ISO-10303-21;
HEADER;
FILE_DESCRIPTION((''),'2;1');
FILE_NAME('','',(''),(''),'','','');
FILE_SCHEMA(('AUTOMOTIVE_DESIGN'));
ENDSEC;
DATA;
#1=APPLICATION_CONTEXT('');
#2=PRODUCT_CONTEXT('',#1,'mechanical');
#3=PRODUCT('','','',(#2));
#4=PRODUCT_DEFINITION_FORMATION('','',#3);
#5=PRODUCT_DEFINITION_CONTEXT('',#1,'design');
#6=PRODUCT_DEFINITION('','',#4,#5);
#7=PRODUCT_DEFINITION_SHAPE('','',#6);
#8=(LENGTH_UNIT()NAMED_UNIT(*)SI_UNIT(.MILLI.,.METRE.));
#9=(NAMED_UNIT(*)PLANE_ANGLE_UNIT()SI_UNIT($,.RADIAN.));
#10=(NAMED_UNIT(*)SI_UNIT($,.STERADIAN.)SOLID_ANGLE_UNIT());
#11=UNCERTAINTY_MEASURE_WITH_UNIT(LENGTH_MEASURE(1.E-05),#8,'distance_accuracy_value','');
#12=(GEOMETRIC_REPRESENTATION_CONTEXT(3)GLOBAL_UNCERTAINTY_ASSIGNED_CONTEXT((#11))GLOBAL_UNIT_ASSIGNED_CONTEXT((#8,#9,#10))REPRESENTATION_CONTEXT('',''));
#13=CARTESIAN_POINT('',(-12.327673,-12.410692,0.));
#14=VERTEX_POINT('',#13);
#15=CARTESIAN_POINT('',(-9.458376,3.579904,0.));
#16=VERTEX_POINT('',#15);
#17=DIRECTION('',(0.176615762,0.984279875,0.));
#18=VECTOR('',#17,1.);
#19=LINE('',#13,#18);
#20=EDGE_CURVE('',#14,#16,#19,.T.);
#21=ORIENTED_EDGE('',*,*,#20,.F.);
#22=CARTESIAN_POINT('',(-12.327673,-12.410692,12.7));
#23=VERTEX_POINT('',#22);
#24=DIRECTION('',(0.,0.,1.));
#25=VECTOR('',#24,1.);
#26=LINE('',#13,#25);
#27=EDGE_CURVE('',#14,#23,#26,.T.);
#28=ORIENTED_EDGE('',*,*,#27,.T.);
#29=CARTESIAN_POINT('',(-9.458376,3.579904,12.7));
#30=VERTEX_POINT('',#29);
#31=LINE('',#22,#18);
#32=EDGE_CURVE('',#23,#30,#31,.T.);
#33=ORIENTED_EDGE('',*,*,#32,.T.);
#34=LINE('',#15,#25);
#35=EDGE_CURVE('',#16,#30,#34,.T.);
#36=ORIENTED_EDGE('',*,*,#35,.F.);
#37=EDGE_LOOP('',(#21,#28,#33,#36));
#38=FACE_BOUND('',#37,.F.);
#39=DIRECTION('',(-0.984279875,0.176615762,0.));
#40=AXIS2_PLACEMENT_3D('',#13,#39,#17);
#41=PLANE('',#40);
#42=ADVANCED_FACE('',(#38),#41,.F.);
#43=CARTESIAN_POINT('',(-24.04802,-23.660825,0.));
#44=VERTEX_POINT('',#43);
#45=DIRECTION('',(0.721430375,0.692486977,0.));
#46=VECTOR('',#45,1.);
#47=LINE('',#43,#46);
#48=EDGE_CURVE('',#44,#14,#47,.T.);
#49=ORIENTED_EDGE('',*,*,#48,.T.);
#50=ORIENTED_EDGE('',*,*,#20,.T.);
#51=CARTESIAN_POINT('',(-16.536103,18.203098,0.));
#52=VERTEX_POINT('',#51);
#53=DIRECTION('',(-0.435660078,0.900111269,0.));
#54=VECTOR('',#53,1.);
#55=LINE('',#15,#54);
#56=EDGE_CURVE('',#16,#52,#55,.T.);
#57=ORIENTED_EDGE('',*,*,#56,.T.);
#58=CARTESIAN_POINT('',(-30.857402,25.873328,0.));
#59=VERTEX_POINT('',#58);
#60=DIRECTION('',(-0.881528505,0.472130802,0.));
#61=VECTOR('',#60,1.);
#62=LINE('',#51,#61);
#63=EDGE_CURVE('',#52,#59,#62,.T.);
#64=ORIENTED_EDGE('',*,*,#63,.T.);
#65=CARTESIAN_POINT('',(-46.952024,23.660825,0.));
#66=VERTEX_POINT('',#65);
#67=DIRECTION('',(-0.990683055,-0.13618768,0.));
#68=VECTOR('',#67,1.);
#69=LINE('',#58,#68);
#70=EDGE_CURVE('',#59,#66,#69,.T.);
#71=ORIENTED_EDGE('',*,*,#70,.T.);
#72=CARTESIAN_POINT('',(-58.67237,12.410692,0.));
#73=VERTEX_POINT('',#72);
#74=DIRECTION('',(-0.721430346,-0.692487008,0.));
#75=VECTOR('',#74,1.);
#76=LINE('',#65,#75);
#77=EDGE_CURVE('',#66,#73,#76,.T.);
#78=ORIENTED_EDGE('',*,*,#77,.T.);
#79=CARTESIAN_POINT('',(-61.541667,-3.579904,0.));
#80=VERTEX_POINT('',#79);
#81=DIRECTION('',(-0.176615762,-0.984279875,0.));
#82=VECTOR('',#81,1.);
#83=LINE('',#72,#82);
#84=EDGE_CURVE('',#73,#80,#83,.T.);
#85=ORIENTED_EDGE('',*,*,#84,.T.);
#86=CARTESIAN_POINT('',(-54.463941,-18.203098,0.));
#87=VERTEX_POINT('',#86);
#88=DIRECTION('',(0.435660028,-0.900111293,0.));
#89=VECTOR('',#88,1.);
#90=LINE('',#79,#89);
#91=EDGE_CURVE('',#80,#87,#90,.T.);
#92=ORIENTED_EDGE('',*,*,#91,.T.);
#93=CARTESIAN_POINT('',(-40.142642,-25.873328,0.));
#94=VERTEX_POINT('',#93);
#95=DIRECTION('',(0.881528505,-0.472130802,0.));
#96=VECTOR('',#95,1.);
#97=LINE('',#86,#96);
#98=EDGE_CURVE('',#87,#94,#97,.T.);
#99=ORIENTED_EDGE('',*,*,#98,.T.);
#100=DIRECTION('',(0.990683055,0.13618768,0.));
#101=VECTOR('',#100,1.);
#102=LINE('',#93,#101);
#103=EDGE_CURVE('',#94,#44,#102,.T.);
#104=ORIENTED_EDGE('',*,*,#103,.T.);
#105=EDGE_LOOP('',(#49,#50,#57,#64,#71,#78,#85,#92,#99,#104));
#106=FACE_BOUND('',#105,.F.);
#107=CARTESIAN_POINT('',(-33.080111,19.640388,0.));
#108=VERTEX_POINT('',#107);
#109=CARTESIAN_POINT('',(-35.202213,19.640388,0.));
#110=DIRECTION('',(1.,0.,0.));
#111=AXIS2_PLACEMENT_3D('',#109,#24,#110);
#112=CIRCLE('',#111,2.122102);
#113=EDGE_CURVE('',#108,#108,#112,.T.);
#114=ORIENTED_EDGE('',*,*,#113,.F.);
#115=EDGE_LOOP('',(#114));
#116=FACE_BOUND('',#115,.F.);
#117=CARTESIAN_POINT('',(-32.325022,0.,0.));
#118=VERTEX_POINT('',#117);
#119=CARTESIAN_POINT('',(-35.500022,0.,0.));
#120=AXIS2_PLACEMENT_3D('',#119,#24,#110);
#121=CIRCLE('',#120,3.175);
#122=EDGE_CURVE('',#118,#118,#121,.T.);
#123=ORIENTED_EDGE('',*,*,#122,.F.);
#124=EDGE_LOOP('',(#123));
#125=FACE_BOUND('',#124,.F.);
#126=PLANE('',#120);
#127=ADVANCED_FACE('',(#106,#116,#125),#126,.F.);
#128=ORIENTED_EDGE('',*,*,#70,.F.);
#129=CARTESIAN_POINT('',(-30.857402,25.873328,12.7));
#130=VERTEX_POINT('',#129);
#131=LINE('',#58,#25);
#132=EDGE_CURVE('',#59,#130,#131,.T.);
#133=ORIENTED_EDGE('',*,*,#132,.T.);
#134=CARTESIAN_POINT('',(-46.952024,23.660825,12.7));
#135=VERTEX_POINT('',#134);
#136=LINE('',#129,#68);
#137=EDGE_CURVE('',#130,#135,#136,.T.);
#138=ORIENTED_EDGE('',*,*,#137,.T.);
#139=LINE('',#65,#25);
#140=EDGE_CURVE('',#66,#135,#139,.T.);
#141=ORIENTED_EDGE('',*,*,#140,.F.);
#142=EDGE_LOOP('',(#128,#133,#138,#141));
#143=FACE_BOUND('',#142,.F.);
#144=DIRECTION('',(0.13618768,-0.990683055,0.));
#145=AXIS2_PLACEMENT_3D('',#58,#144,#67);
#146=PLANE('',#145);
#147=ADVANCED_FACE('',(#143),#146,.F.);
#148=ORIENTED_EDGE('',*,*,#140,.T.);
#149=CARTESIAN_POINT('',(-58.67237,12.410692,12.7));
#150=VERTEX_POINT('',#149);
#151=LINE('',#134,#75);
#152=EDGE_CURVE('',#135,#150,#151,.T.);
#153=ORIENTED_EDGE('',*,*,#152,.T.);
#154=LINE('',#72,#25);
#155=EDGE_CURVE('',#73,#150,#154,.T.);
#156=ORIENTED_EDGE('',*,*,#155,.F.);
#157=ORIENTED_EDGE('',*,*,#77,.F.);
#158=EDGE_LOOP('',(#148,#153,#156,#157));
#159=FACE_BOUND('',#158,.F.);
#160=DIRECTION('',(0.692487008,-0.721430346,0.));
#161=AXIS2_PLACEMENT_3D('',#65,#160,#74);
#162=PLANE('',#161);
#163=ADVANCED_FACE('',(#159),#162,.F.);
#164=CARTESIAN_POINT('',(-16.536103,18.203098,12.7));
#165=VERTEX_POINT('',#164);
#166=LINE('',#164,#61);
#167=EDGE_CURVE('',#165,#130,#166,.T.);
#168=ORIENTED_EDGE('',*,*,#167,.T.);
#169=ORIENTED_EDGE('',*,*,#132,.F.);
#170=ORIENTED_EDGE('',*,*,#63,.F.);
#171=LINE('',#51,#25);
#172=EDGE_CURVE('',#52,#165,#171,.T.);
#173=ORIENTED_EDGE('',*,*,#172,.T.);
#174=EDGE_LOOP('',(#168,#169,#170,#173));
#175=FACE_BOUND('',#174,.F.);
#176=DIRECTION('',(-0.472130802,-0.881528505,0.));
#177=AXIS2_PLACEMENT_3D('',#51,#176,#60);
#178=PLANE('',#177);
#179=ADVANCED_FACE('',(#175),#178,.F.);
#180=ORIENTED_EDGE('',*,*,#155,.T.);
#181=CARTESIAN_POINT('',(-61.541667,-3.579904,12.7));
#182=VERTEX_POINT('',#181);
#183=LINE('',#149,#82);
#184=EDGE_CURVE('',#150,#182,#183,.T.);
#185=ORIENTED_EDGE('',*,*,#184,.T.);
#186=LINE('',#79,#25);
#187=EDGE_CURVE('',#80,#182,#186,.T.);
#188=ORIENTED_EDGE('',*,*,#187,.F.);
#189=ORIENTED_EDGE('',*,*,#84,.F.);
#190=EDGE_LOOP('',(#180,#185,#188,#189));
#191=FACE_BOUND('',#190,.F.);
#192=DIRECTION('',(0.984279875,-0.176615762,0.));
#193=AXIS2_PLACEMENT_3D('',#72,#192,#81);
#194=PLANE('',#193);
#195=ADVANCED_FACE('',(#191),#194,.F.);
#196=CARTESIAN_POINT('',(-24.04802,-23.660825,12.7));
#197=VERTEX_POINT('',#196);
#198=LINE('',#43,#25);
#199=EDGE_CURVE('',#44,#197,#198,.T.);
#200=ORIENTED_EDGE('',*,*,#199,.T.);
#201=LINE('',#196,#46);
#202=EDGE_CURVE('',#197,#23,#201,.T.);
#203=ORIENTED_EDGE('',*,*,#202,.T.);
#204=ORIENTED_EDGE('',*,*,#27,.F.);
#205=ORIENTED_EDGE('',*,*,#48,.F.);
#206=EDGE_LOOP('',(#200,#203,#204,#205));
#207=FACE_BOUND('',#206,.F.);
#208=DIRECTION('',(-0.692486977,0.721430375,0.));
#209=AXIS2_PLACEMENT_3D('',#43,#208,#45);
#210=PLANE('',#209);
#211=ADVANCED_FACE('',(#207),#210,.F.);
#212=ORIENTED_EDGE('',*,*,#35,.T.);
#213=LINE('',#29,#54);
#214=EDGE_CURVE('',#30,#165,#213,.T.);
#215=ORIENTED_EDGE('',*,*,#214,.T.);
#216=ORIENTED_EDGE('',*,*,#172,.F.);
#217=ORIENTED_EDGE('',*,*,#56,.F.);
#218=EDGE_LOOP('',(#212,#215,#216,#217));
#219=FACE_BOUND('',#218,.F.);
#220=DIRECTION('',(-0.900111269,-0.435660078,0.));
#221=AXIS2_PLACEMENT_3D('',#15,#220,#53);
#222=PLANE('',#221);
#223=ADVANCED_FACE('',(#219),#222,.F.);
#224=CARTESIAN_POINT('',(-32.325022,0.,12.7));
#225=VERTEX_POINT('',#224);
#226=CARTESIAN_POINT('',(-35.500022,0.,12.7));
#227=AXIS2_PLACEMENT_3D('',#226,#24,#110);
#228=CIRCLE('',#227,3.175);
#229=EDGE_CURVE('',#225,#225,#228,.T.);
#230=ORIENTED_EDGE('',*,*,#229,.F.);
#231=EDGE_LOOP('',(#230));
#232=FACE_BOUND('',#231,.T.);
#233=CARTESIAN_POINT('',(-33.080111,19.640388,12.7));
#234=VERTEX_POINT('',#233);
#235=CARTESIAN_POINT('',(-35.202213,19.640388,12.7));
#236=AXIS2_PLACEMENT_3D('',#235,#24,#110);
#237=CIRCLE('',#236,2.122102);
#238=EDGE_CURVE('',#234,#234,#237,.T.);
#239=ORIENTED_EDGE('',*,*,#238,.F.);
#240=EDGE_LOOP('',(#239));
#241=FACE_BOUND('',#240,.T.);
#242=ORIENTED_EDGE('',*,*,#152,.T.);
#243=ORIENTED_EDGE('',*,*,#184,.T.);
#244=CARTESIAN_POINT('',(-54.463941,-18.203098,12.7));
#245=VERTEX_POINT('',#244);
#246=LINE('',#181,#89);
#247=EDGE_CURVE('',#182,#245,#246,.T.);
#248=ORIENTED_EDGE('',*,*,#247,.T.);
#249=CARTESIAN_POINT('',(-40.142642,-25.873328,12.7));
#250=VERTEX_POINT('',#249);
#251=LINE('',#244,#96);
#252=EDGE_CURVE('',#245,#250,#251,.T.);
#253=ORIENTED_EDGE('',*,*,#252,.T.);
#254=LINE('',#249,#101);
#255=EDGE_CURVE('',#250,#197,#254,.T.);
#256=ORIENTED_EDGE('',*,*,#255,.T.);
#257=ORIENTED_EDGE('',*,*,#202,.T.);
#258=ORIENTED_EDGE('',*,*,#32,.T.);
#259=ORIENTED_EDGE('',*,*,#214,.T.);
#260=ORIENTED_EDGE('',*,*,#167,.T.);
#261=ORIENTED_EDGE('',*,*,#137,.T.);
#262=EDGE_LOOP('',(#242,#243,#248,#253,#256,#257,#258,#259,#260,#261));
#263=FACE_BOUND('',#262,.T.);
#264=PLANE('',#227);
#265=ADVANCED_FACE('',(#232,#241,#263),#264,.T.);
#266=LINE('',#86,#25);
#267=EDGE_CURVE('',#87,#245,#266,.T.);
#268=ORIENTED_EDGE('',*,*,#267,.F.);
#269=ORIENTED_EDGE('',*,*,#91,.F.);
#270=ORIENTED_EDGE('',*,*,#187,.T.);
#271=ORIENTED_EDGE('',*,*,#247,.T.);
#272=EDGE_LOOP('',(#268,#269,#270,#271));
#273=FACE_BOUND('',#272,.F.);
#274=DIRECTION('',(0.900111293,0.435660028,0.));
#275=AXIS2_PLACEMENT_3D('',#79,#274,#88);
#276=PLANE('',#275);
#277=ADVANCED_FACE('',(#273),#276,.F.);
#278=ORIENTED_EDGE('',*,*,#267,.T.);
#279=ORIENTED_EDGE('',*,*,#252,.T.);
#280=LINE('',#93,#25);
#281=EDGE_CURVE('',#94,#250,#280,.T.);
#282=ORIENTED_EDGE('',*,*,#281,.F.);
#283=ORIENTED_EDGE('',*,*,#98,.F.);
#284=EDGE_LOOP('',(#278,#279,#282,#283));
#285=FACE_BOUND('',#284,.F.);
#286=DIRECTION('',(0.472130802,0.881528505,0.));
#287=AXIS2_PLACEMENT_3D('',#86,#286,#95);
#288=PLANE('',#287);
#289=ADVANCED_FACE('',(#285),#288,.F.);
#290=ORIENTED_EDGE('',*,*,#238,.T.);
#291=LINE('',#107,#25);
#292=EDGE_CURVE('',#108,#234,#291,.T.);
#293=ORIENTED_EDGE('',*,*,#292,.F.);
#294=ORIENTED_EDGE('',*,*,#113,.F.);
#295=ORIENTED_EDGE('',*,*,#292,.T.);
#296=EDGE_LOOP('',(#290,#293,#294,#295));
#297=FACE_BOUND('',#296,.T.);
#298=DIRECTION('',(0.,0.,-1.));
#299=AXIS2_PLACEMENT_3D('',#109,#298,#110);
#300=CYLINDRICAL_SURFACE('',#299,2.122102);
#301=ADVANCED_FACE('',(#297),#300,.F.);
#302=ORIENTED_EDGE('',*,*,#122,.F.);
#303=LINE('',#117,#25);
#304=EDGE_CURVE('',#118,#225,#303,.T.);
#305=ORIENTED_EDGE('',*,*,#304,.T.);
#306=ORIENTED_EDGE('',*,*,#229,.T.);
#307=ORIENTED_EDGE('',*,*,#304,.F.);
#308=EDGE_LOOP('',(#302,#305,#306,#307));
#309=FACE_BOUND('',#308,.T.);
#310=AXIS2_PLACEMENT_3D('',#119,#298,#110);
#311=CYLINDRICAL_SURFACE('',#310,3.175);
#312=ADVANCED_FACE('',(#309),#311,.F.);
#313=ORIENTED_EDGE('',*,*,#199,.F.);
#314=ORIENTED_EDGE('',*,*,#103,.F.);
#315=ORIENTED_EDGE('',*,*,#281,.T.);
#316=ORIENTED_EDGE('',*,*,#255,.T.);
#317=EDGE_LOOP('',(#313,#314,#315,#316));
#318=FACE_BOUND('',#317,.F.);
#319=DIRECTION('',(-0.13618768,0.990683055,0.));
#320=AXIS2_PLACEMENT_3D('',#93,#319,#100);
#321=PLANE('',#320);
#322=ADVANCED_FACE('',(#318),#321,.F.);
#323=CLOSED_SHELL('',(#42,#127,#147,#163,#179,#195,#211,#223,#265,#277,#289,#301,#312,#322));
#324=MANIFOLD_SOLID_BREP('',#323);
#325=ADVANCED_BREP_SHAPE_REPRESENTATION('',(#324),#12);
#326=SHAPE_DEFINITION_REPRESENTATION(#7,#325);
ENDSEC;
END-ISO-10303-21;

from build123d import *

# Parameters (mm, degrees)
F0_R     = 3.175
F0_R_2   = 2.122102
F1_DEPTH = 12.7


with BuildPart() as f1:
    # F0 (on Top) → F1 (new body)
    with BuildSketch(Plane.XY):
        Polygon((-9.458376, 3.579904), (-16.536103, 18.203098), (-30.857402, 25.873328), (-46.952024, 23.660825), (-58.67237, 12.410692), (-61.541667, -3.579904), (-54.463941, -18.203098), (-40.142642, -25.873328), (-24.04802, -23.660825), (-12.327673, -12.410692), align=None)
        with Locations((-35.500022, 0)):
            Circle(F0_R, mode=Mode.SUBTRACT)
        with Locations((-35.202213, 19.640388)):
            Circle(F0_R_2, mode=Mode.SUBTRACT)
    extrude(amount=F1_DEPTH)


solid = f1.part
